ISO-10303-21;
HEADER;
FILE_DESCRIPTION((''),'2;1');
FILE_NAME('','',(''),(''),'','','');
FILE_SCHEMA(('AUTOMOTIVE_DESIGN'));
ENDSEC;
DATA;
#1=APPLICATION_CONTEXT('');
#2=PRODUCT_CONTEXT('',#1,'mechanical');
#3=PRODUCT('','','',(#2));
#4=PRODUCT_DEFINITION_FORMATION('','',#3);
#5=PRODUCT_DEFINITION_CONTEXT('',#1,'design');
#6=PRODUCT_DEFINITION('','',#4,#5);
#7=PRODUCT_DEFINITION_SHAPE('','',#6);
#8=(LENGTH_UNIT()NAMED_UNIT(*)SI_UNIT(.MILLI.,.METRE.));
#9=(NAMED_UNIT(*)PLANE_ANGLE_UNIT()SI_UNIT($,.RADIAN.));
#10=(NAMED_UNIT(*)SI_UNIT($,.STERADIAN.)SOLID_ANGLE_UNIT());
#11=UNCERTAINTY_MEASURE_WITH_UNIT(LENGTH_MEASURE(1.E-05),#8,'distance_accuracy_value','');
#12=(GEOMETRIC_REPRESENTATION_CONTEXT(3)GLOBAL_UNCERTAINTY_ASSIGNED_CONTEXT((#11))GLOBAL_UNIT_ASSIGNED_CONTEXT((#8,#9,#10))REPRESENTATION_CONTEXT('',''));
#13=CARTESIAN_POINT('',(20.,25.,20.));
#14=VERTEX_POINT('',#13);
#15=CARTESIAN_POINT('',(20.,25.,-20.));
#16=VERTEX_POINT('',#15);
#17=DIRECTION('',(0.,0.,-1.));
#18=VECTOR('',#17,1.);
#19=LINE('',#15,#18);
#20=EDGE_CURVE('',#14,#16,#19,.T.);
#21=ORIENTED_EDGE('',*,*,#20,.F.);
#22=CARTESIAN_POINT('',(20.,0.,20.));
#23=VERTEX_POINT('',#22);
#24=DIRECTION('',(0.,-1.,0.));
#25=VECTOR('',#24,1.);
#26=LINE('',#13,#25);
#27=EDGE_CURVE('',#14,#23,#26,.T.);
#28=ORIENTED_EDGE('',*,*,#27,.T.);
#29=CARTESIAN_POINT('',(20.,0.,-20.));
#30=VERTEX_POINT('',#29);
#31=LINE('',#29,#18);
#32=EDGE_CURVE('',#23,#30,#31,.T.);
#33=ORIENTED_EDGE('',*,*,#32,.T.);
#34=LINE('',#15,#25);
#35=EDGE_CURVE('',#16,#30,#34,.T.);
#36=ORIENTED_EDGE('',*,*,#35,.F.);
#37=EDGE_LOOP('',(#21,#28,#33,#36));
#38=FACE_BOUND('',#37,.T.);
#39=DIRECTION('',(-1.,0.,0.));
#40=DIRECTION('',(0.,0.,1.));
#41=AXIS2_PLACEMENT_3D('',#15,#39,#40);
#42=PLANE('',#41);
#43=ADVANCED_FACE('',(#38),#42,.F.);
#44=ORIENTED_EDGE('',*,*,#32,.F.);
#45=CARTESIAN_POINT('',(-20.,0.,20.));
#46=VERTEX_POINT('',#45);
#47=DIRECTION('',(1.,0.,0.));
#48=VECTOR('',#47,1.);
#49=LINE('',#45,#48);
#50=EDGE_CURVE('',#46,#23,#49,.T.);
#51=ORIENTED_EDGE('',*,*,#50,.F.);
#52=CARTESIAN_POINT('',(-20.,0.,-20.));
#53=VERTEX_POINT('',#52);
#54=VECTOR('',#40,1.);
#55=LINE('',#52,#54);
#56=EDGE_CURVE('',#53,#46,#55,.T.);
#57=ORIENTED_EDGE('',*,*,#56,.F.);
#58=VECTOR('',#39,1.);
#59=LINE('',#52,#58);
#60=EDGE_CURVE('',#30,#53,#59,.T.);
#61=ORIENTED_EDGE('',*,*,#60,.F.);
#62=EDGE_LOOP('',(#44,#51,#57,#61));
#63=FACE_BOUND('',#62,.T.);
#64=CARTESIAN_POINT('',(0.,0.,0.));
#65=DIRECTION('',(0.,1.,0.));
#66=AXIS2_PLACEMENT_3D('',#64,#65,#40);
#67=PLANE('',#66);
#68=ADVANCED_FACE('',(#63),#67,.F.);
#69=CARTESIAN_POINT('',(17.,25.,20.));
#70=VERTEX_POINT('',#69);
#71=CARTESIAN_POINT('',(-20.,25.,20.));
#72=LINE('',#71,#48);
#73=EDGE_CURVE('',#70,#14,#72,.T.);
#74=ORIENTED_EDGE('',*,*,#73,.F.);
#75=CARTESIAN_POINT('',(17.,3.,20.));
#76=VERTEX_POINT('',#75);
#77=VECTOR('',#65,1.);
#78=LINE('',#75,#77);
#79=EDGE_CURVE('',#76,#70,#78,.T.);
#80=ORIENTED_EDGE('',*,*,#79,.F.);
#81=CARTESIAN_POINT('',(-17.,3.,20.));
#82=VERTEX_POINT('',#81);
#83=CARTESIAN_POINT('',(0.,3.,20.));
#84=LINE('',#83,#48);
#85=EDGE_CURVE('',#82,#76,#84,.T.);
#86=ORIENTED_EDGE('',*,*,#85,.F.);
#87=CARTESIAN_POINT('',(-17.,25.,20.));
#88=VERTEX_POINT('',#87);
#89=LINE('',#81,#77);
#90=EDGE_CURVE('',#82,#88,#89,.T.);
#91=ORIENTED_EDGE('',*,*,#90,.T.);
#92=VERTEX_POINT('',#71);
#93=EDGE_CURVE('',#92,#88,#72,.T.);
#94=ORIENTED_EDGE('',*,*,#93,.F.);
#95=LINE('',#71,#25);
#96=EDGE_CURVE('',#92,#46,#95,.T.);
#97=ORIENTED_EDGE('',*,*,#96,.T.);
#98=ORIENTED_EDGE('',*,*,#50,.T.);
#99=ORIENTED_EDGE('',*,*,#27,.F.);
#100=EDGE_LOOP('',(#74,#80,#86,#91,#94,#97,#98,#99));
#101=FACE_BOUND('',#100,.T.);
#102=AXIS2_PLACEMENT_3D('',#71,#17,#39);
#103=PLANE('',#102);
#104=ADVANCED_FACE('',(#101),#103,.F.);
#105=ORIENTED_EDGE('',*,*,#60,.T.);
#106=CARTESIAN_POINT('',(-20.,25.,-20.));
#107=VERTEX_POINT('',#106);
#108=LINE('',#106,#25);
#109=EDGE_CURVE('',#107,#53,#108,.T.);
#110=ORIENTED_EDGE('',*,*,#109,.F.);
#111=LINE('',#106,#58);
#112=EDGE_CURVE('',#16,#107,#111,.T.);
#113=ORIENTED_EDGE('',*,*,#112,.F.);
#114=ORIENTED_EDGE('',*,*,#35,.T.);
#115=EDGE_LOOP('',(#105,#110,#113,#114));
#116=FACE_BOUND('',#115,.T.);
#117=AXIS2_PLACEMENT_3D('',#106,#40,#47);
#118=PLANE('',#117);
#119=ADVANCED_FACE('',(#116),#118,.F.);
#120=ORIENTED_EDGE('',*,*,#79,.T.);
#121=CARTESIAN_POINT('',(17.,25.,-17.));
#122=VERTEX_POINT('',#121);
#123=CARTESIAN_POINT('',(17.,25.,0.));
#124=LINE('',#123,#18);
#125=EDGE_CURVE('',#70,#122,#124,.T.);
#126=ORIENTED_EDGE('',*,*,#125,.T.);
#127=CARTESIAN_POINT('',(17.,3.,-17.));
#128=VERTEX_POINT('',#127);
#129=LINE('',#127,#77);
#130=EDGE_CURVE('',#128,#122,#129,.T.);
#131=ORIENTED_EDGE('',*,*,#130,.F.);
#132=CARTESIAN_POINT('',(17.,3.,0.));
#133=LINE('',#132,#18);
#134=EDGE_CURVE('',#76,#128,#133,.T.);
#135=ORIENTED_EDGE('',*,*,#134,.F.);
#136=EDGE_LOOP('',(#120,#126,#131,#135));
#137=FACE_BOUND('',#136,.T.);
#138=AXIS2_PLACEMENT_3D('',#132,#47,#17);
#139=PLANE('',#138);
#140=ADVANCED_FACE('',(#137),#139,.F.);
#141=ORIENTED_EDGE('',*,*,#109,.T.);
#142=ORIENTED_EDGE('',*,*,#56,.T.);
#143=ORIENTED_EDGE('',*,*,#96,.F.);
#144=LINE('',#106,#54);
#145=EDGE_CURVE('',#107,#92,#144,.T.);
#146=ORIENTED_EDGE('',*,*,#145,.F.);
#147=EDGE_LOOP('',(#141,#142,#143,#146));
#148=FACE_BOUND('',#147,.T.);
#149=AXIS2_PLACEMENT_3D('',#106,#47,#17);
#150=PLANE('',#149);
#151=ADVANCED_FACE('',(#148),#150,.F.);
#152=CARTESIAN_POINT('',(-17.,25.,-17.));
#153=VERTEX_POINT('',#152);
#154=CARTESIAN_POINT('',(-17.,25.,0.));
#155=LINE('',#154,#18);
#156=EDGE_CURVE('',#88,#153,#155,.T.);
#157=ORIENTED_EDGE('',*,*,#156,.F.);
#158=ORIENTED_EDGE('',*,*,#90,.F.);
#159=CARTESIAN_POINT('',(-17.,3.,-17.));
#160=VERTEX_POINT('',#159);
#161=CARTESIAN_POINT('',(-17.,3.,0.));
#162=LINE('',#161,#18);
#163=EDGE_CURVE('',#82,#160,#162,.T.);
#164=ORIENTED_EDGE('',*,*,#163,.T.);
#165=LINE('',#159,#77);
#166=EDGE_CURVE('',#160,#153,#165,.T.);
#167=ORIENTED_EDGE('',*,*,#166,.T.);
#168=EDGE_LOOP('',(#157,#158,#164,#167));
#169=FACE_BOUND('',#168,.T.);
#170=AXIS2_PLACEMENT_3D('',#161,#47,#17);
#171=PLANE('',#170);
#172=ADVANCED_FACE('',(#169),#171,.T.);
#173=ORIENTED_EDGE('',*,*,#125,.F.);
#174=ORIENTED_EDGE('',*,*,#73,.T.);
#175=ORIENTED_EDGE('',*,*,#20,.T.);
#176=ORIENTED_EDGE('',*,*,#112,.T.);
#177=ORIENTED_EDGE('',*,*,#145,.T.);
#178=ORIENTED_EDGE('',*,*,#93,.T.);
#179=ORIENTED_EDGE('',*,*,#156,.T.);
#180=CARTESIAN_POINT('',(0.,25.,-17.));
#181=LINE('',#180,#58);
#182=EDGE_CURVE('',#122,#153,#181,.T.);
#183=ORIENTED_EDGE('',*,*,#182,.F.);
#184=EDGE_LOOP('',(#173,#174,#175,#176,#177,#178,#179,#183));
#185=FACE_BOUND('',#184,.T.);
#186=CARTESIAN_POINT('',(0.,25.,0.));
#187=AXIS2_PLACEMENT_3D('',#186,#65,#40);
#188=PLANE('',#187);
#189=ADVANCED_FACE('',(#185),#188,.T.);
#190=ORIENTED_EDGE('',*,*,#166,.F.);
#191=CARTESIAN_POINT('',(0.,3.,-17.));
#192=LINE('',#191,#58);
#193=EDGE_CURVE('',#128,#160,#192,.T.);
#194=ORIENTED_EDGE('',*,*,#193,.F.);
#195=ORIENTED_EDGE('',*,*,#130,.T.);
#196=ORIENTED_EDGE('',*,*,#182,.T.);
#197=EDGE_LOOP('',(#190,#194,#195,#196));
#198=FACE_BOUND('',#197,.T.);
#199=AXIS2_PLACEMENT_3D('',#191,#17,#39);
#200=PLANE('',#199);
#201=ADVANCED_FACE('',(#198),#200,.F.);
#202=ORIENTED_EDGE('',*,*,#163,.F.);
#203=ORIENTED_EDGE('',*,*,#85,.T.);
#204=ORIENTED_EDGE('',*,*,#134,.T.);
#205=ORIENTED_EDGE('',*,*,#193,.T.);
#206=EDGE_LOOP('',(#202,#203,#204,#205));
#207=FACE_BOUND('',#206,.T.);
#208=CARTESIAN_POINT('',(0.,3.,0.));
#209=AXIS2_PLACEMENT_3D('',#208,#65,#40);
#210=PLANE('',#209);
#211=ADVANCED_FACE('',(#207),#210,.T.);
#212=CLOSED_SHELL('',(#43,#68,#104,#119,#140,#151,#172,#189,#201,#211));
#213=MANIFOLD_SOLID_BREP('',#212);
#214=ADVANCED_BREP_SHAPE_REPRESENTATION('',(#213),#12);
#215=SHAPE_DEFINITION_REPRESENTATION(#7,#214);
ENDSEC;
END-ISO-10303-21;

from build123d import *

# Parameters (mm, degrees)
SKETCH1_W           = 40
SKETCH1_H           = 40
BOSS_EXTRUDE1_DEPTH = 25
SKETCH2_W           = 34
SKETCH2_H           = 37
CUT_EXTRUDE1_DEPTH  = 22


with BuildPart() as part:
    # Sketch1 → Boss-Extrude1 (new body)
    with BuildSketch(Plane(origin=(0, 0, 0), x_dir=(1, 0, 0), z_dir=(0, 1, 0))):
        Rectangle(SKETCH1_W, SKETCH1_H)
    extrude(amount=BOSS_EXTRUDE1_DEPTH)

    # Sketch2 → Cut-Extrude1 (cut)
    with BuildSketch(Plane(origin=(0, 25, 0), x_dir=(1, 0, 0), z_dir=(0, 1, 0))):
        with Locations((0, -1.5)):
            Rectangle(SKETCH2_W, SKETCH2_H)
    extrude(amount=-CUT_EXTRUDE1_DEPTH, mode=Mode.SUBTRACT)


solid = part.part
